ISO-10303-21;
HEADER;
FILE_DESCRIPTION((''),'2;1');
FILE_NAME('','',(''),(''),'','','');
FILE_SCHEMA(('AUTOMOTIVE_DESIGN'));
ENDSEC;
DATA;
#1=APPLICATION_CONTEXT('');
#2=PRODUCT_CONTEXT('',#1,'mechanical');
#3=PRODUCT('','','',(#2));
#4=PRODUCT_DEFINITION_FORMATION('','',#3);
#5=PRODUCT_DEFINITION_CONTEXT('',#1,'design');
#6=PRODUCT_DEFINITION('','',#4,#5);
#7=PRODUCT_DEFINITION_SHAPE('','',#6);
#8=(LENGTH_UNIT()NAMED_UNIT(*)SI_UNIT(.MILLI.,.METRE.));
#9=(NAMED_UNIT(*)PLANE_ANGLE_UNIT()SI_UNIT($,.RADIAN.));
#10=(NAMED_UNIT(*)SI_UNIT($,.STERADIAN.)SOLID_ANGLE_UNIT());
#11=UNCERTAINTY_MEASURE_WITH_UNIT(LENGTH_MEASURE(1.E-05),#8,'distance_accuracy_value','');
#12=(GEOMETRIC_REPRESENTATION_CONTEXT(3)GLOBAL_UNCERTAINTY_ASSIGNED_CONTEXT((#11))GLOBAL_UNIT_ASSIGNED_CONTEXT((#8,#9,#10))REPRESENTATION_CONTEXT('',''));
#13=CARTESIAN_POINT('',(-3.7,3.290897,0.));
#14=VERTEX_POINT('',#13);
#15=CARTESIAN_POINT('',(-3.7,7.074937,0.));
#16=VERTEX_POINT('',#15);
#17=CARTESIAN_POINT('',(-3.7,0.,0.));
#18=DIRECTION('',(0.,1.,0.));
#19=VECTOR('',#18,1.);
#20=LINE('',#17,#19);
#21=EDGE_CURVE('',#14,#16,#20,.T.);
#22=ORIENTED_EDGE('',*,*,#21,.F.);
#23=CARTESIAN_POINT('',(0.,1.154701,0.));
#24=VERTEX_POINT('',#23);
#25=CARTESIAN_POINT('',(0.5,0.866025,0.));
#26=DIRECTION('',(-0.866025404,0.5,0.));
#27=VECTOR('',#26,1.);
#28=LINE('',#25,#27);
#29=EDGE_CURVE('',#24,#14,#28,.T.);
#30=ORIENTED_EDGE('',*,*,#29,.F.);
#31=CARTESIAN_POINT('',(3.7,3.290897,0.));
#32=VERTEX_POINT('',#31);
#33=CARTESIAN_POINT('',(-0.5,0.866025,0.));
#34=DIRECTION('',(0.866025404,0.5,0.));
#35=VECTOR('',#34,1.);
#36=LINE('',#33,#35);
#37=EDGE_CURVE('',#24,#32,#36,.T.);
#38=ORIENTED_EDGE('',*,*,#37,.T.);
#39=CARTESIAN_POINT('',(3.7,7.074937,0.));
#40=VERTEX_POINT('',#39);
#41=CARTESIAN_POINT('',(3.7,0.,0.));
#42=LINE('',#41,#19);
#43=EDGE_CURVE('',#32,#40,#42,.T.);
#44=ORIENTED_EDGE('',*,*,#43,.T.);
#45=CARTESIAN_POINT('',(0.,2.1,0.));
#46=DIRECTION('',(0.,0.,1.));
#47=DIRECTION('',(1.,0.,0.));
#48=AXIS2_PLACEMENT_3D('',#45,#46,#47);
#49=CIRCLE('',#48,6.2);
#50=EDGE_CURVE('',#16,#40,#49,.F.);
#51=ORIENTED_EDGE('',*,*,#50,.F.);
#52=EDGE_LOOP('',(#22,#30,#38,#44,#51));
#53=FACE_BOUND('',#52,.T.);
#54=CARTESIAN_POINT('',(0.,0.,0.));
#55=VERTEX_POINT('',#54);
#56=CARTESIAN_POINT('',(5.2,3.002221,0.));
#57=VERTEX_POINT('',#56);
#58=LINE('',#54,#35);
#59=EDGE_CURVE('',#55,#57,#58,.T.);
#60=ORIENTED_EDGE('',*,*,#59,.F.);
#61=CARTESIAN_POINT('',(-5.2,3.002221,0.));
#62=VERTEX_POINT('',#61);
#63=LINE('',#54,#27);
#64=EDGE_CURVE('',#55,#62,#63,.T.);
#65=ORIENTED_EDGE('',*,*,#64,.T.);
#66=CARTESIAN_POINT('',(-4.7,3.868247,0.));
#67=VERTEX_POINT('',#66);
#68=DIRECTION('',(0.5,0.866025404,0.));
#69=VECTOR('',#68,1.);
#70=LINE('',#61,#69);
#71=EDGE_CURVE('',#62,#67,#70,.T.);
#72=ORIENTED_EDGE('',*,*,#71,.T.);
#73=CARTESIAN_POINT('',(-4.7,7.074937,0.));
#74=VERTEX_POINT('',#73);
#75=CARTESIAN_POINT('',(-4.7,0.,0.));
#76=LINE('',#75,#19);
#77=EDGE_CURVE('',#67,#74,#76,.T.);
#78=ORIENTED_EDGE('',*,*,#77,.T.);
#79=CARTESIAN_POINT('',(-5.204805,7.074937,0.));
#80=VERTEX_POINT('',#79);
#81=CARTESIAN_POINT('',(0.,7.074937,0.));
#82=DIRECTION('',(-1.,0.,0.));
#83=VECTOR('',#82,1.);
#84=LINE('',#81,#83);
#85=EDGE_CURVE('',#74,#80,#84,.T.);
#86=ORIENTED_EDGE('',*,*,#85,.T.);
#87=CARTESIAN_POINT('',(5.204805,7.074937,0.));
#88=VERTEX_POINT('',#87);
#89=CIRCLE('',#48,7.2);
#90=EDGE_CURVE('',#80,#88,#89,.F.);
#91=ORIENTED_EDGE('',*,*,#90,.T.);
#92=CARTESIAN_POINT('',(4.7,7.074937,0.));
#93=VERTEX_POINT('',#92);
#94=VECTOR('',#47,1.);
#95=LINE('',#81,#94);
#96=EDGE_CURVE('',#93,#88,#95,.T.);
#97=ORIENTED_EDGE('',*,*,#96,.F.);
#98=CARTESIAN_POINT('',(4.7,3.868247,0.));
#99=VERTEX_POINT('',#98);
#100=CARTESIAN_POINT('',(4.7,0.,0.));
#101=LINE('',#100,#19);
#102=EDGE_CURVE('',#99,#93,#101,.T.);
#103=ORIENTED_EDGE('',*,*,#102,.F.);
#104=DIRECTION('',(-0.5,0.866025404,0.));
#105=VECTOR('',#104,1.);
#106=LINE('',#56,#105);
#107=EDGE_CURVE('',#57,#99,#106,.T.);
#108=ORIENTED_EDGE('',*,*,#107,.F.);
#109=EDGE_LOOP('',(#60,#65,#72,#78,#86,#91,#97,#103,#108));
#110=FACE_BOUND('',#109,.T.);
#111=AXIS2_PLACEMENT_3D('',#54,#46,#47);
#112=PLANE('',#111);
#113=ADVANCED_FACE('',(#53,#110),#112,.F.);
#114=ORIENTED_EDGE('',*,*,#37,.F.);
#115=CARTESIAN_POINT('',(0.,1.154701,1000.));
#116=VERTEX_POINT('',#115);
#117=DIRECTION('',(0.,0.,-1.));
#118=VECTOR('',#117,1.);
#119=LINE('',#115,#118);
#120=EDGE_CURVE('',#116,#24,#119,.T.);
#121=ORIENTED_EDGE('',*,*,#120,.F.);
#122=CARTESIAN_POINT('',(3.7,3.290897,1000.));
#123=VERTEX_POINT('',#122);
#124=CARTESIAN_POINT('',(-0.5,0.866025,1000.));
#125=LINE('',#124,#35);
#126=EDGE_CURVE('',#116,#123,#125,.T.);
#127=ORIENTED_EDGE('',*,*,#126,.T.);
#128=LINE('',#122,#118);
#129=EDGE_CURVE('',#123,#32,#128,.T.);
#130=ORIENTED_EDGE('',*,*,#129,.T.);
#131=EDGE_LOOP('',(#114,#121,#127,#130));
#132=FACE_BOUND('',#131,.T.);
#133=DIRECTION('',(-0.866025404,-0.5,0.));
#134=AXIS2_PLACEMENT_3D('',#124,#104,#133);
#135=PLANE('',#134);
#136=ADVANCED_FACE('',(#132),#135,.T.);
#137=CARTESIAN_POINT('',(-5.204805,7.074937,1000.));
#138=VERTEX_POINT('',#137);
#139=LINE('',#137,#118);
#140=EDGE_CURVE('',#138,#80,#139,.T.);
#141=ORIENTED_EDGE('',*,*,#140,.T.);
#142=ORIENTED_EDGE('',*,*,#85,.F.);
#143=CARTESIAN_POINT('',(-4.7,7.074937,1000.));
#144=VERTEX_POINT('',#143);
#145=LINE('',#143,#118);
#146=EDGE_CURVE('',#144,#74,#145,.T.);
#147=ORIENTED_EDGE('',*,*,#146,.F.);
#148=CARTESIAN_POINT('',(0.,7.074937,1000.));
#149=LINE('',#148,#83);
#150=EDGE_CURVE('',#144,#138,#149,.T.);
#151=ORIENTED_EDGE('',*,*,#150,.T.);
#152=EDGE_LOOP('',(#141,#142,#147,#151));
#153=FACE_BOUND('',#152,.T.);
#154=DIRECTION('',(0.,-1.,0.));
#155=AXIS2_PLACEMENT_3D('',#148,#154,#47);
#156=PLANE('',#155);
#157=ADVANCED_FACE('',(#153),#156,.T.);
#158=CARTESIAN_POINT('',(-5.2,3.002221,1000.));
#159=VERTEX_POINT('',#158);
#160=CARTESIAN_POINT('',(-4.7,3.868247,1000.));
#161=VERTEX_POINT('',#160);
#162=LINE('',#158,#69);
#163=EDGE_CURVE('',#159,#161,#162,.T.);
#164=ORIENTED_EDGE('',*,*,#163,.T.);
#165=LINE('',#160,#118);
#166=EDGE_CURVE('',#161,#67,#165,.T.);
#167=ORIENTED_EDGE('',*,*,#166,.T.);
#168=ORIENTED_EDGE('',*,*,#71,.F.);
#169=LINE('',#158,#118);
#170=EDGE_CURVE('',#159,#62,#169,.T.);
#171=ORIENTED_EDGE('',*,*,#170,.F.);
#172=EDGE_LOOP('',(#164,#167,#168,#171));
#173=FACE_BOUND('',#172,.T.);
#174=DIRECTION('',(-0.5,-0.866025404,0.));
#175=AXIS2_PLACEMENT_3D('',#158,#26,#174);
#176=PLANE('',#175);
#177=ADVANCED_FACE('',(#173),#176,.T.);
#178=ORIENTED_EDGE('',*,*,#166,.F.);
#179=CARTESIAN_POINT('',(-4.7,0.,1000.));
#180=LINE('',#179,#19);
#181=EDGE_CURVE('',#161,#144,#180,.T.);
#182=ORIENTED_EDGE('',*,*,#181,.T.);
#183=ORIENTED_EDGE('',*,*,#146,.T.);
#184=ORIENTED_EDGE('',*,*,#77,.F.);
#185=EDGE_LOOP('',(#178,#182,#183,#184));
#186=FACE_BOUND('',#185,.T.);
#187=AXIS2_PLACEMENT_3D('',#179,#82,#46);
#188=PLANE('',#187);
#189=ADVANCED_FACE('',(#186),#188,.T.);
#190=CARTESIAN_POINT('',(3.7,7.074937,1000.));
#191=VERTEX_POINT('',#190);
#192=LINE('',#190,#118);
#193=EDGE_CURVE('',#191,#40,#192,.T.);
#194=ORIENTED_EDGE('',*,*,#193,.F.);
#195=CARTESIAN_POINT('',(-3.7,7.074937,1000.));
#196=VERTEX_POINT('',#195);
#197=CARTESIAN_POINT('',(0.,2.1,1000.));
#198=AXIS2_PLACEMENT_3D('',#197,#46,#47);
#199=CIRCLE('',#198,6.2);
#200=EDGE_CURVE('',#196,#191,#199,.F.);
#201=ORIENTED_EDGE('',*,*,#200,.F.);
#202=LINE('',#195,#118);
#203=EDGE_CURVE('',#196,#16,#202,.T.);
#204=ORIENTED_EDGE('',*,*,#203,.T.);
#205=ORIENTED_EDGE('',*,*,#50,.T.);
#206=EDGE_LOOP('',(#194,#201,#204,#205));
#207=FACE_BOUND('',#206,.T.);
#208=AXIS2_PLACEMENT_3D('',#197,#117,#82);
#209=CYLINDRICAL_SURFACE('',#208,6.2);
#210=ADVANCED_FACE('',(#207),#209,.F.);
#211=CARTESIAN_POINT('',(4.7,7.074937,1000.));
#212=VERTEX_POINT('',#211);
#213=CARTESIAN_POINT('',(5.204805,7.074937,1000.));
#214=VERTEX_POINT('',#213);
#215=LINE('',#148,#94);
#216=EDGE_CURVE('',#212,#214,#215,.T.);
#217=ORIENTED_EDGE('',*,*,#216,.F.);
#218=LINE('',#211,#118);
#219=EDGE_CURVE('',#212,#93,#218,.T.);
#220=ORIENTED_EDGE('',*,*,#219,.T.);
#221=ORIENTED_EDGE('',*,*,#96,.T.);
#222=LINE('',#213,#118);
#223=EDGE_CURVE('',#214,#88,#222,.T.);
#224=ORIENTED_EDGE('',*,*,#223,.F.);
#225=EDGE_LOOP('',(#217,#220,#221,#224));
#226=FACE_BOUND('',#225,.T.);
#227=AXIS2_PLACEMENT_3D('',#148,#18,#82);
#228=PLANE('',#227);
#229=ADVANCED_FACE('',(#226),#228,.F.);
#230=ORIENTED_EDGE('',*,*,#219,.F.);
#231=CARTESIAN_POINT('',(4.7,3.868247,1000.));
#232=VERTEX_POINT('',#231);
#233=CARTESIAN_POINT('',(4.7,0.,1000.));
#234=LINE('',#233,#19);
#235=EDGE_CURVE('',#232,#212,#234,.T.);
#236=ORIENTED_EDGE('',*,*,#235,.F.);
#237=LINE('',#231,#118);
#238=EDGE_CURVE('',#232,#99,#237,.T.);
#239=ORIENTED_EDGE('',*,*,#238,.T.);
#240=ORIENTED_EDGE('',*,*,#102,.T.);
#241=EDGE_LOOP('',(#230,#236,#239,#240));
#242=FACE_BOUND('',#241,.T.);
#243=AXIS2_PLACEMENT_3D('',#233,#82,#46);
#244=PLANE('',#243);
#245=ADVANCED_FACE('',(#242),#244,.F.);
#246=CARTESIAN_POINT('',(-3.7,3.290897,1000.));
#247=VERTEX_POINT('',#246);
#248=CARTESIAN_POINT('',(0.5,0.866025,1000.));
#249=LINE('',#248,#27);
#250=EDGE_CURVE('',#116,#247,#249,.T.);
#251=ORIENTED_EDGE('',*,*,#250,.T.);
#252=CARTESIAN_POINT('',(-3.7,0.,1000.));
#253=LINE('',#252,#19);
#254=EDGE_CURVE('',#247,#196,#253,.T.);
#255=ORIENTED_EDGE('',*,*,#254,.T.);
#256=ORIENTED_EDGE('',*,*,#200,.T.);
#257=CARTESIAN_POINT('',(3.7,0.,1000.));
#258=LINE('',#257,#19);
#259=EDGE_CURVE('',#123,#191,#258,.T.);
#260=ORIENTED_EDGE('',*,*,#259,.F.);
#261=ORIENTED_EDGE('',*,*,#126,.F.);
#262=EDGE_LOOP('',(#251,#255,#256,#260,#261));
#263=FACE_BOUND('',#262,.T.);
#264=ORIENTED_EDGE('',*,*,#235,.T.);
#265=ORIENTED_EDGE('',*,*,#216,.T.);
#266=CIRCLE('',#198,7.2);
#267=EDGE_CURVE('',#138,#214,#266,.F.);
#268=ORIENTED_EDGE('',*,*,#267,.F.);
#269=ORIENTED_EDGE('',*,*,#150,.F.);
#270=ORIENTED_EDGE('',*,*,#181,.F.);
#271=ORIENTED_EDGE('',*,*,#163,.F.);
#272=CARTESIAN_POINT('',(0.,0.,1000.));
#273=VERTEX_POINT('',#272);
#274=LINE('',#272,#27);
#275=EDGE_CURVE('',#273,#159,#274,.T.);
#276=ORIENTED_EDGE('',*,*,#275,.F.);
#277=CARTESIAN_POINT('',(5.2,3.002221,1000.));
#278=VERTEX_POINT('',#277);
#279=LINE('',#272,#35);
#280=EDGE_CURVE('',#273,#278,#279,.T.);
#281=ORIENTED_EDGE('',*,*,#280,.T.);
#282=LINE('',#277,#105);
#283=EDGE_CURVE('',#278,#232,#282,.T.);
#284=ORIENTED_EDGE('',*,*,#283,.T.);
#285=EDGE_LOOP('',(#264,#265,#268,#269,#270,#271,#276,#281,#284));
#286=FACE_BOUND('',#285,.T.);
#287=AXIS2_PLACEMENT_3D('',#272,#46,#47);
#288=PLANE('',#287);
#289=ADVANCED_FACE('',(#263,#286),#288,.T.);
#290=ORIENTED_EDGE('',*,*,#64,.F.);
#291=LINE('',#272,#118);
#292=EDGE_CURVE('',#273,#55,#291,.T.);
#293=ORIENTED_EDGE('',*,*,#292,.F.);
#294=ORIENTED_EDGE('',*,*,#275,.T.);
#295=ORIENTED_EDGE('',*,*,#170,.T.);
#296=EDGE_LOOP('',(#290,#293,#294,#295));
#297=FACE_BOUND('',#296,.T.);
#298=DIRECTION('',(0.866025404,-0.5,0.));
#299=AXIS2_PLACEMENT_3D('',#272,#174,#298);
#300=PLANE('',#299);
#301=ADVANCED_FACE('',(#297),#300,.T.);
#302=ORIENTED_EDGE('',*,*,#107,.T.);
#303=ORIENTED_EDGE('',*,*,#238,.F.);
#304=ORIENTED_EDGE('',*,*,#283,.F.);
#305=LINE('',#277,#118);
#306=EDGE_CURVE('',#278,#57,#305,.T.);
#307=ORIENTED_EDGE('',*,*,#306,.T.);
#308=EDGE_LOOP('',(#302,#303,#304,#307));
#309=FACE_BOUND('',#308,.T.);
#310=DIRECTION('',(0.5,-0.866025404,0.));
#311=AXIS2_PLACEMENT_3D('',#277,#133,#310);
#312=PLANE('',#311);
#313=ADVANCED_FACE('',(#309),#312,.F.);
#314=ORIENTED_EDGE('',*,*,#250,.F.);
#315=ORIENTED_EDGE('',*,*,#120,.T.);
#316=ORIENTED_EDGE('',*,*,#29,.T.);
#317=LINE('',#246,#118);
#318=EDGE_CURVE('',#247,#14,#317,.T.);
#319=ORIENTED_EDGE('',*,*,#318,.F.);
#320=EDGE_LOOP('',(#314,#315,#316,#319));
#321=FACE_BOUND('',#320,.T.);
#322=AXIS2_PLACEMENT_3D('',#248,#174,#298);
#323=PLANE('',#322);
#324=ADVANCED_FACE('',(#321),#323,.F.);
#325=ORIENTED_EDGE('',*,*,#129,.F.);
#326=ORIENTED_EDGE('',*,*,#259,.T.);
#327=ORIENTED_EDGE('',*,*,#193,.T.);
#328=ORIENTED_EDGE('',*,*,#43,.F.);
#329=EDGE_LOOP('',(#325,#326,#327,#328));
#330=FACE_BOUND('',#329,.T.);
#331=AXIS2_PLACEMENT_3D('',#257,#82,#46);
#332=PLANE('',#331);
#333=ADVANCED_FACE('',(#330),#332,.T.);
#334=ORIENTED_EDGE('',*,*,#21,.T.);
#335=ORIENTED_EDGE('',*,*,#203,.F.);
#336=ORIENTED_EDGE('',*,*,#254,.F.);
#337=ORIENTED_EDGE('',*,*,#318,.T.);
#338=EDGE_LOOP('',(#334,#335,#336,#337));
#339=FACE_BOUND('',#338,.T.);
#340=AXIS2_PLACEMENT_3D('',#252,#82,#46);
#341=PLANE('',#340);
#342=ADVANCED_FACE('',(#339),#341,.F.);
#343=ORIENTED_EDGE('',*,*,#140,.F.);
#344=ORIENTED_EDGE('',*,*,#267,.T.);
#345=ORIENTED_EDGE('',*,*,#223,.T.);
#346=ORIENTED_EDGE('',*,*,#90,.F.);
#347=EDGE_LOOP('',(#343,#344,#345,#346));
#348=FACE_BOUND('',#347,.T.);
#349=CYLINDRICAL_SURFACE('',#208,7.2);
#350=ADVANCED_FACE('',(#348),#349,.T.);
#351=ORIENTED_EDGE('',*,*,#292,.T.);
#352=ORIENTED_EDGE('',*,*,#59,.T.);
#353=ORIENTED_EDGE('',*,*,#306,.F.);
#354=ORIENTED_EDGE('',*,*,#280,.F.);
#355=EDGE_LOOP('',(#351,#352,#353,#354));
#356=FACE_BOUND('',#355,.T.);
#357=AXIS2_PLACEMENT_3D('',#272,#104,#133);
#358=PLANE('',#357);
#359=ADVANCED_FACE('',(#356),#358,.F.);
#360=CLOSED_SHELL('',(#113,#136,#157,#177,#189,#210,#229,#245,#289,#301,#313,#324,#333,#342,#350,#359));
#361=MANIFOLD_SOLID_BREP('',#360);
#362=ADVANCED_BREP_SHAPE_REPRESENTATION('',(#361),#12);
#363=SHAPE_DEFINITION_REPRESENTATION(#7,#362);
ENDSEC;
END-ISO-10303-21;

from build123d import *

# Parameters (mm, degrees)
EXTRUDE_1_DEPTH = 1000


with BuildPart() as part:
    # Эскиз1 → Бобышка-Вытянуть1 (new body)
    with BuildSketch(Plane.XY):
        with BuildLine():
            Line((0, 0), (-5.2, 3.0022214))
            Line((-5.2, 3.0022214), (-4.7, 3.868246804))
            Line((-4.7, 3.868246804), (-4.7, 7.074937186))
            Line((-4.7, 7.074937186), (-5.204805472, 7.074937186))
            ThreePointArc((-5.204805472, 7.074937186), (0, 9.3), (5.204805472, 7.074937186))
            Line((5.204805472, 7.074937186), (4.7, 7.074937186))
            Line((4.7, 7.074937186), (4.7, 3.868246804))
            Line((4.7, 3.868246804), (5.2, 3.0022214))
            Line((5.2, 3.0022214), (0, 0))
        make_face()
        with BuildLine():
            Line((0, 1.154700538), (-3.7, 3.290896534))
            Line((-3.7, 3.290896534), (-3.7, 7.074937186))
            ThreePointArc((-3.7, 7.074937186), (0, 8.3), (3.7, 7.074937186))
            Line((3.7, 7.074937186), (3.7, 3.290896534))
            Line((3.7, 3.290896534), (0, 1.154700538))
        make_face(mode=Mode.SUBTRACT)
    extrude(amount=EXTRUDE_1_DEPTH)


solid = part.part
